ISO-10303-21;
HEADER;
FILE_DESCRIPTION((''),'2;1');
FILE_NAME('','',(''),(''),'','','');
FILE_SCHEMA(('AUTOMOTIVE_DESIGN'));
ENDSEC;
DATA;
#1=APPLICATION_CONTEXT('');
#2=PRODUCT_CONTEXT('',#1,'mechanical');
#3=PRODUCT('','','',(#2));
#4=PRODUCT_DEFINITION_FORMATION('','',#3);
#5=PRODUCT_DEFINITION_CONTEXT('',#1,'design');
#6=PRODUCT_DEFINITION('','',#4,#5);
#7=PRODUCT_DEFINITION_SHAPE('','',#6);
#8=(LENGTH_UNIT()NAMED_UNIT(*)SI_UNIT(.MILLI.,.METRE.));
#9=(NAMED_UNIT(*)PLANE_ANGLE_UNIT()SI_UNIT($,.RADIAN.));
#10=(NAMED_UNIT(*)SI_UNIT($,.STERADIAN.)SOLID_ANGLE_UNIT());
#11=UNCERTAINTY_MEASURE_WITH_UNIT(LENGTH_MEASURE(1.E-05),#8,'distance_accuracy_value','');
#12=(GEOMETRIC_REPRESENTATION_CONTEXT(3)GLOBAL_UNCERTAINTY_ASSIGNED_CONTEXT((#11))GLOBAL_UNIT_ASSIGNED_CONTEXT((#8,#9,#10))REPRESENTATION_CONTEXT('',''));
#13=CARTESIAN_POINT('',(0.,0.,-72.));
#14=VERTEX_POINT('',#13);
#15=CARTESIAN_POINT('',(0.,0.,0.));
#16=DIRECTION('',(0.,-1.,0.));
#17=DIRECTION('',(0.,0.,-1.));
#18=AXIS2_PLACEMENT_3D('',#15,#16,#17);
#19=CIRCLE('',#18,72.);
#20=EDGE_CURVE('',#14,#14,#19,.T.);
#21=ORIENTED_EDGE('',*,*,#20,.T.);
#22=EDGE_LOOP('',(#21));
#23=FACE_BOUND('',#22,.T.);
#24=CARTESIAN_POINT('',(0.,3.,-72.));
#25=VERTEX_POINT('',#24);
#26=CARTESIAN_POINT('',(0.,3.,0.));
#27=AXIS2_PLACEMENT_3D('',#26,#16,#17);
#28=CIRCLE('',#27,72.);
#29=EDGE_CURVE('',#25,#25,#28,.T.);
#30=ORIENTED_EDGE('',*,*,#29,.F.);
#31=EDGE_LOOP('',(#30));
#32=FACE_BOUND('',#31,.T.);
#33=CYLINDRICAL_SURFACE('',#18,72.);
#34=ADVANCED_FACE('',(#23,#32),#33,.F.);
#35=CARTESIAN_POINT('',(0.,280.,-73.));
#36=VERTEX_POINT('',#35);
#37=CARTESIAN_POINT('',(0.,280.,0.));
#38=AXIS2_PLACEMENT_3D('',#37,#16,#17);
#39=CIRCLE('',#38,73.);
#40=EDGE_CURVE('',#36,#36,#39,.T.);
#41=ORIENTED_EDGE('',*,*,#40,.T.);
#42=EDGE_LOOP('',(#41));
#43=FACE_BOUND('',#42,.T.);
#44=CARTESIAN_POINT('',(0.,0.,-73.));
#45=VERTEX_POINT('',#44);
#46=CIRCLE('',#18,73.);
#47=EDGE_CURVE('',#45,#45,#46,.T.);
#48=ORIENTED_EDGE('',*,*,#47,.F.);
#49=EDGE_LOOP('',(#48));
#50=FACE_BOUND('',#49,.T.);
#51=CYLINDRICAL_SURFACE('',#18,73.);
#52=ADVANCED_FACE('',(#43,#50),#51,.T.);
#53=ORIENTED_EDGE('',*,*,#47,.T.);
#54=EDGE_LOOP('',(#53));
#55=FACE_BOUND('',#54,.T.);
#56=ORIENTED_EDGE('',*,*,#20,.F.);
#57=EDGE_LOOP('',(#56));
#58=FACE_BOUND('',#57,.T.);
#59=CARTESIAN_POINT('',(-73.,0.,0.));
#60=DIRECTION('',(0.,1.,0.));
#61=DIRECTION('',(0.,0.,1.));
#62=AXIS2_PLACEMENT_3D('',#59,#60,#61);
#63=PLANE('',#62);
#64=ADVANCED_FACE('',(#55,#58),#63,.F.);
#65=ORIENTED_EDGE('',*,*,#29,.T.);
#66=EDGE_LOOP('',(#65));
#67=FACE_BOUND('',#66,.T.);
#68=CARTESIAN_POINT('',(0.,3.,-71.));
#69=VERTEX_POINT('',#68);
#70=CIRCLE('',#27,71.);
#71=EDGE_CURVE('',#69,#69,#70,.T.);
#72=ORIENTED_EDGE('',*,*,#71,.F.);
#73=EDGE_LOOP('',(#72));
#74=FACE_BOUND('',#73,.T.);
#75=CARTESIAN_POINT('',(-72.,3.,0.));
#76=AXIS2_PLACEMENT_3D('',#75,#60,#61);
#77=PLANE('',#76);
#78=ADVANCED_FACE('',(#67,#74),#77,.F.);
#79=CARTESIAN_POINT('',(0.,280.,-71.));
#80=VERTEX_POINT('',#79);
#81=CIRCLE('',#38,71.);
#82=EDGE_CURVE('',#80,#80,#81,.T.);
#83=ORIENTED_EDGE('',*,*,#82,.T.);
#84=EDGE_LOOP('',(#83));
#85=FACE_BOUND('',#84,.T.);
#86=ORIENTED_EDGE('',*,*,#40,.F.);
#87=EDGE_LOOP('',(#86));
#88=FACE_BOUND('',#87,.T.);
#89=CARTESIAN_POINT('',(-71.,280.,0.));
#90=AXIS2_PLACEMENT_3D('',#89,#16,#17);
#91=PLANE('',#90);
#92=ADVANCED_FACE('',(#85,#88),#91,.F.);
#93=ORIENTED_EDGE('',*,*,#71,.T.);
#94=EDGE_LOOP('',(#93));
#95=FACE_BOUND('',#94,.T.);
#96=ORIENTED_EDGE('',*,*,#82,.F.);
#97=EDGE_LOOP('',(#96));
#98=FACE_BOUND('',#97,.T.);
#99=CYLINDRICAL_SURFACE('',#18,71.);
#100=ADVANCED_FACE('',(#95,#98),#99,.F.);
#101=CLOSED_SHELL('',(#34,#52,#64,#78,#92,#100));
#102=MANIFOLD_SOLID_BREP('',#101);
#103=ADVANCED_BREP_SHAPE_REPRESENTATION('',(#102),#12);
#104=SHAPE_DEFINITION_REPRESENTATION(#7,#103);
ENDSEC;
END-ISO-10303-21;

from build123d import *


with BuildPart() as part:
    # Schizzo1 → Rivoluzione1 (revolve)
    with BuildSketch(Plane.XY, mode=Mode.PRIVATE) as rivoluzione1_sk:
        Polygon((-72, 0), (-72, 3), (-71, 3), (-71, 280), (-73, 280), (-73, 0), align=None)
    revolve(rivoluzione1_sk.sketch.rotate(Axis((0, 0, 0), (0, 1, 0)), 270), axis=Axis((0, 0, 0), (0, 1, 0)))


solid = part.part
